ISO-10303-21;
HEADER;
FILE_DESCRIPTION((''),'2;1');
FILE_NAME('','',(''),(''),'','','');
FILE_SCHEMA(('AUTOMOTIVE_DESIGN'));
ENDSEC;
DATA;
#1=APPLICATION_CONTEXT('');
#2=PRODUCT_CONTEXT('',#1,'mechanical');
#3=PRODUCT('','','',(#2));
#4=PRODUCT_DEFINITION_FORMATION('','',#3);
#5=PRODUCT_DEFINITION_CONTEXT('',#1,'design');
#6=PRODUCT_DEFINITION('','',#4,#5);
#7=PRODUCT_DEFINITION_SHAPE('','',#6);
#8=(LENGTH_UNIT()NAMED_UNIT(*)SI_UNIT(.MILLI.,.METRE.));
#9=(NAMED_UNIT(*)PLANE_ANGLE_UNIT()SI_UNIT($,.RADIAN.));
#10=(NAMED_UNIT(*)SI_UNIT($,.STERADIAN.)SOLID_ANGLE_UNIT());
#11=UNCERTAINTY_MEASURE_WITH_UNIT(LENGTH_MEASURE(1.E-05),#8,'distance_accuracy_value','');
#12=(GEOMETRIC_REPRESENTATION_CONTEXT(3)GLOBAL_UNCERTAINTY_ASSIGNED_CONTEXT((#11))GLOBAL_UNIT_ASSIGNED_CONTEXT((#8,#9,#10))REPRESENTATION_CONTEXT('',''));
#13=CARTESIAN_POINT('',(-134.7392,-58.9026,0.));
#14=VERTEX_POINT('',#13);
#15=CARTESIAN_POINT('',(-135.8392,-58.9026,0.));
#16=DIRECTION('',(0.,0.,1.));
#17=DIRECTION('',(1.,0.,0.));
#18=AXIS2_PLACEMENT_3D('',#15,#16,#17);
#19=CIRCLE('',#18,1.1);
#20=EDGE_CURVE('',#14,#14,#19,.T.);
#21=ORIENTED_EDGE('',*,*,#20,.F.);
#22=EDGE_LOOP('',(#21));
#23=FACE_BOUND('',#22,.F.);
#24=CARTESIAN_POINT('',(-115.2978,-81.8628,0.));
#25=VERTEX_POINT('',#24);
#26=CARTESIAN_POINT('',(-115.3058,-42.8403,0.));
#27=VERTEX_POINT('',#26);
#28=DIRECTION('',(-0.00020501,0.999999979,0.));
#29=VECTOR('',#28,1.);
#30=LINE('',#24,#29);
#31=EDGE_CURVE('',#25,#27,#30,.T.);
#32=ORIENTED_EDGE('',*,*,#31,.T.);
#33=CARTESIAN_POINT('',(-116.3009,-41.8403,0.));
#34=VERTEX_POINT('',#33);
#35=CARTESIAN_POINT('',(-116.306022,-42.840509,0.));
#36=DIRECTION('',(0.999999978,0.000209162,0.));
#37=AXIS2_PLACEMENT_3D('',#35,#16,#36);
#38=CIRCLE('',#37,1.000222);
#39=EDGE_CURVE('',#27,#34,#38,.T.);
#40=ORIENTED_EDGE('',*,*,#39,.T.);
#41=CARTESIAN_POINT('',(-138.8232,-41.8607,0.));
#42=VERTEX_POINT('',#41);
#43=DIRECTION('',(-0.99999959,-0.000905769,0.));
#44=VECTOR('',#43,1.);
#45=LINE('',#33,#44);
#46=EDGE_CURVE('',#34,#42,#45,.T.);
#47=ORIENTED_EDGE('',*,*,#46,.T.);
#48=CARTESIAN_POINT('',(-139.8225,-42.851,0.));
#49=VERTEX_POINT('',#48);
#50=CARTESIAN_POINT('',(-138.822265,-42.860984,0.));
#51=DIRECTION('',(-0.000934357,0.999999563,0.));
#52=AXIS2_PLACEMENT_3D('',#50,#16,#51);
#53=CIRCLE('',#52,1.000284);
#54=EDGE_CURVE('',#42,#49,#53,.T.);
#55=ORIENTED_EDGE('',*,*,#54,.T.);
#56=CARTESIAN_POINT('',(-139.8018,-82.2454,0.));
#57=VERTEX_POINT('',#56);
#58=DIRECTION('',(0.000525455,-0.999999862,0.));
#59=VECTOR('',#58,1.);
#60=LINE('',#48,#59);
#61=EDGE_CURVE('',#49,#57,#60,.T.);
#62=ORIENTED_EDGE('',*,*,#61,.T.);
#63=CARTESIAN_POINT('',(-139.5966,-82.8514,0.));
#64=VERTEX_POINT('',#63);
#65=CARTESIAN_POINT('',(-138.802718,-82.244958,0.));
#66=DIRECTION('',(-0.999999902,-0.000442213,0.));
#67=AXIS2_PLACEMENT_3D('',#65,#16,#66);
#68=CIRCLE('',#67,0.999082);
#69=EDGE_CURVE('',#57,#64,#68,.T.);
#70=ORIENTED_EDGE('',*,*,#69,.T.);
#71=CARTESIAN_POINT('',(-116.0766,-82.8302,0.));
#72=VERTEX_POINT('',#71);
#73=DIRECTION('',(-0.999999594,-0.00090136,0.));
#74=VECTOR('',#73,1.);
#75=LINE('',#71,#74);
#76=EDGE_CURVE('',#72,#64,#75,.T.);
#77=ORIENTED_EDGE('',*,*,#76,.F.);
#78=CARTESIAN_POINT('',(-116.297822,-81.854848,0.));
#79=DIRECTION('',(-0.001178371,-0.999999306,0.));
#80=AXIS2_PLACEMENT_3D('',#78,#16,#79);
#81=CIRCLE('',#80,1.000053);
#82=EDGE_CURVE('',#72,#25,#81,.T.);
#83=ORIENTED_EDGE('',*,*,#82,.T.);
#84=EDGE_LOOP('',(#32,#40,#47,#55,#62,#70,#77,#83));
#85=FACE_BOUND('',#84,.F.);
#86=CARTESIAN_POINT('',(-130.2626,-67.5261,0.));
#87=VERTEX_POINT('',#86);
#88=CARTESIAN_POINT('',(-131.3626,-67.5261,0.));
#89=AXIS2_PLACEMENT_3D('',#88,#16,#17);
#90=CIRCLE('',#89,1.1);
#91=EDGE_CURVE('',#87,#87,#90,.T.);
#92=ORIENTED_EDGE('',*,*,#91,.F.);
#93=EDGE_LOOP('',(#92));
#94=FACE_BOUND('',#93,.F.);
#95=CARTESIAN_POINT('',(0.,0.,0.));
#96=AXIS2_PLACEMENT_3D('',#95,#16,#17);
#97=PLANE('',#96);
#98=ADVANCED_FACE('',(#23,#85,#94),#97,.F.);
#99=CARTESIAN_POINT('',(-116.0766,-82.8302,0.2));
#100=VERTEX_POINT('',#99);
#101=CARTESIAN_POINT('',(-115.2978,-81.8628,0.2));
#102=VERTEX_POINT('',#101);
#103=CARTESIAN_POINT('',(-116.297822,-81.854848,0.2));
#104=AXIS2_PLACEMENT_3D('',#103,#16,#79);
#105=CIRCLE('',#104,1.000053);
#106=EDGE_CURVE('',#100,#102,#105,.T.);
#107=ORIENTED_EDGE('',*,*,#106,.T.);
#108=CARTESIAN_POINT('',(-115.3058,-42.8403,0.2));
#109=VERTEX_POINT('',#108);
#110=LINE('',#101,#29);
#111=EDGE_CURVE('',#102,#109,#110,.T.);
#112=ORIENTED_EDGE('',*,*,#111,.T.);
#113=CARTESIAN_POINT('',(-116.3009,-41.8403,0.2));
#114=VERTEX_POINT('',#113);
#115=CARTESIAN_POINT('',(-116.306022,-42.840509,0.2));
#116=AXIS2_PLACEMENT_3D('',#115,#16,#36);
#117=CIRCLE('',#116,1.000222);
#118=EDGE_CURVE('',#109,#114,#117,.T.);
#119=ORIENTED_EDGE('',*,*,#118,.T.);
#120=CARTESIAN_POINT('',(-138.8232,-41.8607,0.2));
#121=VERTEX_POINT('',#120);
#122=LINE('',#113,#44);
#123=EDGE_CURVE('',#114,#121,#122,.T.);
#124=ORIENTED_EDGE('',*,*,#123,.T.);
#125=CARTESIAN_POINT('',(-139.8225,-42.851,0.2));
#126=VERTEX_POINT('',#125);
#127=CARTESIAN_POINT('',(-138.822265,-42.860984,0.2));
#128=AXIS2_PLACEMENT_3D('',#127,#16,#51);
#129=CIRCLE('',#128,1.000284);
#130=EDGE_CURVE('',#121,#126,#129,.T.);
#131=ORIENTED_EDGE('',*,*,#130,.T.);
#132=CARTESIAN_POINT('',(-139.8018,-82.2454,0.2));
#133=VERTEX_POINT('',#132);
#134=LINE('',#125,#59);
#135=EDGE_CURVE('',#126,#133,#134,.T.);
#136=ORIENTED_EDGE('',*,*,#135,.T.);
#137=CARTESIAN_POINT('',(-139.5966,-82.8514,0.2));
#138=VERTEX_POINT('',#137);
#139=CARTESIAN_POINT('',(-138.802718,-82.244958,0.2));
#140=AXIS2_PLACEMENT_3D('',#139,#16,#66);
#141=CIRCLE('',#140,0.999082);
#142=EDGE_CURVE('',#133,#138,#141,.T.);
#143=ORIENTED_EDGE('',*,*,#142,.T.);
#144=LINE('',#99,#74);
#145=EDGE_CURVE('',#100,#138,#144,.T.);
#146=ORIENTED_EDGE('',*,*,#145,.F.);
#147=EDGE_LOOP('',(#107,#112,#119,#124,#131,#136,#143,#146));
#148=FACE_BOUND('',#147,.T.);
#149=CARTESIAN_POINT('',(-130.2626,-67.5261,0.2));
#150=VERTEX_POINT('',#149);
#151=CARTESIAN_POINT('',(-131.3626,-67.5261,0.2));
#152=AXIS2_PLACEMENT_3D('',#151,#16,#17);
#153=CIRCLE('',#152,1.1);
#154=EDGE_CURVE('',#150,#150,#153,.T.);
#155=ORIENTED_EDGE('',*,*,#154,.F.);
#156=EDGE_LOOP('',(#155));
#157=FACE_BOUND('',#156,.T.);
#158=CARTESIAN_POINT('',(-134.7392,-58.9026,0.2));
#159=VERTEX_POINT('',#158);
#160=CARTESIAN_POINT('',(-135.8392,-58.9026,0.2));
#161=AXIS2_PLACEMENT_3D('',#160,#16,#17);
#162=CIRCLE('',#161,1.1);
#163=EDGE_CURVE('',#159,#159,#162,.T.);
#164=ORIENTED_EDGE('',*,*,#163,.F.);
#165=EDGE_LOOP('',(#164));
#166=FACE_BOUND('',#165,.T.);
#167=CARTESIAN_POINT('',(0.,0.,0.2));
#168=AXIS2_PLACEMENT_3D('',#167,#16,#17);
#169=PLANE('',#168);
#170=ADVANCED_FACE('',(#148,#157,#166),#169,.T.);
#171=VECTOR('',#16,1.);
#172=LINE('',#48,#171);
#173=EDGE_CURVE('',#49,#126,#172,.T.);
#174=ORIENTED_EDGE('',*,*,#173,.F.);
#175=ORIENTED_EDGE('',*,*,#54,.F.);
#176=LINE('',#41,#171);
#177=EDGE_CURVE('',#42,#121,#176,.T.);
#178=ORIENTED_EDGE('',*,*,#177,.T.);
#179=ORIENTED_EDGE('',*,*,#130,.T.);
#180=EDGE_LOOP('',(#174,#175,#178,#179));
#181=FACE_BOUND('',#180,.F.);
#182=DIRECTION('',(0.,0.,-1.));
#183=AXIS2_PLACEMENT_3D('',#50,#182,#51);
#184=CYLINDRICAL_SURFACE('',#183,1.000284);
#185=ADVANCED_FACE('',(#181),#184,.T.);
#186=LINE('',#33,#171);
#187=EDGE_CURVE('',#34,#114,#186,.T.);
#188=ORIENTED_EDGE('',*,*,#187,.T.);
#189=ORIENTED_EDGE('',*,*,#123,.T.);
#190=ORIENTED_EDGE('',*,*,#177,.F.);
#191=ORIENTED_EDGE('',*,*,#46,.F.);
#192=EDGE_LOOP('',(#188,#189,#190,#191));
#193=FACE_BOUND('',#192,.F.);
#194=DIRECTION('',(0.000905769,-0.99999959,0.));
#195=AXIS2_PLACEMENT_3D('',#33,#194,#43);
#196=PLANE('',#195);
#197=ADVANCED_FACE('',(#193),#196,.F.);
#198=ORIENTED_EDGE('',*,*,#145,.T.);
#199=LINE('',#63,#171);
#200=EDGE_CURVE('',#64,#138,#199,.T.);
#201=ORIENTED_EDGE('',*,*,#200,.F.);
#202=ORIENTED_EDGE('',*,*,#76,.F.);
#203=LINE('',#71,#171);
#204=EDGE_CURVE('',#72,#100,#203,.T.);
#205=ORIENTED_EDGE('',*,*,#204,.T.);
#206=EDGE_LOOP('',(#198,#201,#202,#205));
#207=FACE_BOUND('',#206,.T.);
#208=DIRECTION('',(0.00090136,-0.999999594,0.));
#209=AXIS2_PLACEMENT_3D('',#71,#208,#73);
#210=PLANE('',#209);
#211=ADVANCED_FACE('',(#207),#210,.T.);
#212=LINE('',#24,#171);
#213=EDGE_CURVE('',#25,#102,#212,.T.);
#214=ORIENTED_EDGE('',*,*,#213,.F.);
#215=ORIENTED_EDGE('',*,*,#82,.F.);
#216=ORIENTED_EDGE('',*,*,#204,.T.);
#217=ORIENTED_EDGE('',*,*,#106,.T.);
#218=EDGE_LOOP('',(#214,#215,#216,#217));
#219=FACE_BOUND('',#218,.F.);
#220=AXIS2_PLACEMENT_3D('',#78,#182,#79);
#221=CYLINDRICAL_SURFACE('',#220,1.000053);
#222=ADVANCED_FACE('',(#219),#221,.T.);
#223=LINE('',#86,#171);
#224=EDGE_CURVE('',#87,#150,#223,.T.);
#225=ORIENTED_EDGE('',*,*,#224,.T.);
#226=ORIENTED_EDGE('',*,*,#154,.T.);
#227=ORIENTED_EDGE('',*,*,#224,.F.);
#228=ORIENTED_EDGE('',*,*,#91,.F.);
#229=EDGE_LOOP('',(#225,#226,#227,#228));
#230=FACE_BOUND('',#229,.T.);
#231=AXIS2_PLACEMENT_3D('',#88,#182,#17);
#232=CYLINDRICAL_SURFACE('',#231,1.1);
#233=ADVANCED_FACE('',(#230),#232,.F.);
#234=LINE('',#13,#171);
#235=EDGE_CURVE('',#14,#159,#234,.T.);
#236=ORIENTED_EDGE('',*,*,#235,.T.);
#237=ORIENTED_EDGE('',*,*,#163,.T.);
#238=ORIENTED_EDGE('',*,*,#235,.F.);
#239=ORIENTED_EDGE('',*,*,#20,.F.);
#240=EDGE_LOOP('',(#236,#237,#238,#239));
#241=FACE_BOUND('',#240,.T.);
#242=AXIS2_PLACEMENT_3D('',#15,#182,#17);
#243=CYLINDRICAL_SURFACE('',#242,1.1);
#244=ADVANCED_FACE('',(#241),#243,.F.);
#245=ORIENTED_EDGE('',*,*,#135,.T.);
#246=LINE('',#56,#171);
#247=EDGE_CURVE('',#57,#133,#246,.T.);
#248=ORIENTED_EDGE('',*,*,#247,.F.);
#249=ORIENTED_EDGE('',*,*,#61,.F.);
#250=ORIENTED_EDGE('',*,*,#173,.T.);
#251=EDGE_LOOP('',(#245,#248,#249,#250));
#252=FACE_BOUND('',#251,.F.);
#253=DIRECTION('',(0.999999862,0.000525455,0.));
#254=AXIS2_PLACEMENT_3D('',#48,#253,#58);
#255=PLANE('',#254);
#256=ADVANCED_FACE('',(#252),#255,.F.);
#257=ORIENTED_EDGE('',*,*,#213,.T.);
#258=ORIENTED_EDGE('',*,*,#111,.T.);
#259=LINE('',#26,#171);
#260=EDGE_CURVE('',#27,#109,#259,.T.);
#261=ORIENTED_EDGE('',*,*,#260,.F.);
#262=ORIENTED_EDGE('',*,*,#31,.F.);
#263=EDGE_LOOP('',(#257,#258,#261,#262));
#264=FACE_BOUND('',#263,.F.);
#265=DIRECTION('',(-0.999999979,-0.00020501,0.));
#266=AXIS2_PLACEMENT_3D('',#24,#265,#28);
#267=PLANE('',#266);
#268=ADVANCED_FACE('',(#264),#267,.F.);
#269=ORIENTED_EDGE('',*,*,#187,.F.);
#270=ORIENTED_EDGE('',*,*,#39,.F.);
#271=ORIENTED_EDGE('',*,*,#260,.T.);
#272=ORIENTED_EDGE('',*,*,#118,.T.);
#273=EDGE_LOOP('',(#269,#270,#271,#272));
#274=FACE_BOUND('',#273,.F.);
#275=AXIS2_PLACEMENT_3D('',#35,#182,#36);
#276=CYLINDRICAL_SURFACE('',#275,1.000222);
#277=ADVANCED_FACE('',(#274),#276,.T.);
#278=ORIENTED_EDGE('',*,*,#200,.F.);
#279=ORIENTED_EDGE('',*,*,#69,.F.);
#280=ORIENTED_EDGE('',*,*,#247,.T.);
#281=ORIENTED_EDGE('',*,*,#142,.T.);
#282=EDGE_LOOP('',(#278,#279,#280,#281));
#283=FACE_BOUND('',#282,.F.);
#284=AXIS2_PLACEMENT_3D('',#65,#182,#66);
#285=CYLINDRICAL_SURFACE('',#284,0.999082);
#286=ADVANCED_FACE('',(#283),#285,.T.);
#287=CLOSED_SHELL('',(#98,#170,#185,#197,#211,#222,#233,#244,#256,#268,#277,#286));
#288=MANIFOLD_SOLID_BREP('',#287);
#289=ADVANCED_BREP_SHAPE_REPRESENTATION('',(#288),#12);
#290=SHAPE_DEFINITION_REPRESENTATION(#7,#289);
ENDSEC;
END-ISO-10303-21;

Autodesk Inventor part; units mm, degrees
ref_plane "YZ Plane" through (0, 0, 0) normal (1, 0, 0) x (0, 1, 0)
ref_plane "XZ Plane" through (0, 0, 0) normal (0, 1, 0) x (-1, 0, 0)
ref_plane "XY Plane" through (0, 0, 0) normal (0, 0, 1) x (1, 0, 0)
sketch "Sketch1" plane through (0, 0, 0) normal (0, 0, 1) x (1, 0, 0)
  line L0 (-139.8225, -42.851) -> (-139.8018, -82.2454) projected
  arc A0 (-138.8232, -41.8607) -> (-139.8225, -42.851) centre (-138.8223, -42.8609) ccw projected
  line L1 (-116.3009, -41.8403) -> (-138.8232, -41.8607) projected
  arc A1 (-115.3058, -42.8403) -> (-116.3009, -41.8403) centre (-116.306, -42.8405) ccw projected
  line L2 (-115.2978, -81.8628) -> (-115.3058, -42.8403) projected
  arc A2 (-116.299, -82.8549) -> (-115.2978, -81.8628) centre (-116.2978, -81.8549) ccw projected
  arc A3 (-139.8018, -82.2454) -> (-139.3074, -83.1072) centre (-138.8025, -82.2449) ccw projected
  line L3 (-116.0766, -82.8302) -> (-139.5966, -82.8514)
  circle A4 centre (-131.3626, -67.5261) radius 1.1 projected
  circle A5 centre (-135.8392, -58.9026) radius 1.1 projected
  point P0 (0, 0)
  dimension "d0" = 40.99
extrude "Extrusion1" add sketch "Sketch1" along normal blind 0.2
properties part number "Side Stiffener"
